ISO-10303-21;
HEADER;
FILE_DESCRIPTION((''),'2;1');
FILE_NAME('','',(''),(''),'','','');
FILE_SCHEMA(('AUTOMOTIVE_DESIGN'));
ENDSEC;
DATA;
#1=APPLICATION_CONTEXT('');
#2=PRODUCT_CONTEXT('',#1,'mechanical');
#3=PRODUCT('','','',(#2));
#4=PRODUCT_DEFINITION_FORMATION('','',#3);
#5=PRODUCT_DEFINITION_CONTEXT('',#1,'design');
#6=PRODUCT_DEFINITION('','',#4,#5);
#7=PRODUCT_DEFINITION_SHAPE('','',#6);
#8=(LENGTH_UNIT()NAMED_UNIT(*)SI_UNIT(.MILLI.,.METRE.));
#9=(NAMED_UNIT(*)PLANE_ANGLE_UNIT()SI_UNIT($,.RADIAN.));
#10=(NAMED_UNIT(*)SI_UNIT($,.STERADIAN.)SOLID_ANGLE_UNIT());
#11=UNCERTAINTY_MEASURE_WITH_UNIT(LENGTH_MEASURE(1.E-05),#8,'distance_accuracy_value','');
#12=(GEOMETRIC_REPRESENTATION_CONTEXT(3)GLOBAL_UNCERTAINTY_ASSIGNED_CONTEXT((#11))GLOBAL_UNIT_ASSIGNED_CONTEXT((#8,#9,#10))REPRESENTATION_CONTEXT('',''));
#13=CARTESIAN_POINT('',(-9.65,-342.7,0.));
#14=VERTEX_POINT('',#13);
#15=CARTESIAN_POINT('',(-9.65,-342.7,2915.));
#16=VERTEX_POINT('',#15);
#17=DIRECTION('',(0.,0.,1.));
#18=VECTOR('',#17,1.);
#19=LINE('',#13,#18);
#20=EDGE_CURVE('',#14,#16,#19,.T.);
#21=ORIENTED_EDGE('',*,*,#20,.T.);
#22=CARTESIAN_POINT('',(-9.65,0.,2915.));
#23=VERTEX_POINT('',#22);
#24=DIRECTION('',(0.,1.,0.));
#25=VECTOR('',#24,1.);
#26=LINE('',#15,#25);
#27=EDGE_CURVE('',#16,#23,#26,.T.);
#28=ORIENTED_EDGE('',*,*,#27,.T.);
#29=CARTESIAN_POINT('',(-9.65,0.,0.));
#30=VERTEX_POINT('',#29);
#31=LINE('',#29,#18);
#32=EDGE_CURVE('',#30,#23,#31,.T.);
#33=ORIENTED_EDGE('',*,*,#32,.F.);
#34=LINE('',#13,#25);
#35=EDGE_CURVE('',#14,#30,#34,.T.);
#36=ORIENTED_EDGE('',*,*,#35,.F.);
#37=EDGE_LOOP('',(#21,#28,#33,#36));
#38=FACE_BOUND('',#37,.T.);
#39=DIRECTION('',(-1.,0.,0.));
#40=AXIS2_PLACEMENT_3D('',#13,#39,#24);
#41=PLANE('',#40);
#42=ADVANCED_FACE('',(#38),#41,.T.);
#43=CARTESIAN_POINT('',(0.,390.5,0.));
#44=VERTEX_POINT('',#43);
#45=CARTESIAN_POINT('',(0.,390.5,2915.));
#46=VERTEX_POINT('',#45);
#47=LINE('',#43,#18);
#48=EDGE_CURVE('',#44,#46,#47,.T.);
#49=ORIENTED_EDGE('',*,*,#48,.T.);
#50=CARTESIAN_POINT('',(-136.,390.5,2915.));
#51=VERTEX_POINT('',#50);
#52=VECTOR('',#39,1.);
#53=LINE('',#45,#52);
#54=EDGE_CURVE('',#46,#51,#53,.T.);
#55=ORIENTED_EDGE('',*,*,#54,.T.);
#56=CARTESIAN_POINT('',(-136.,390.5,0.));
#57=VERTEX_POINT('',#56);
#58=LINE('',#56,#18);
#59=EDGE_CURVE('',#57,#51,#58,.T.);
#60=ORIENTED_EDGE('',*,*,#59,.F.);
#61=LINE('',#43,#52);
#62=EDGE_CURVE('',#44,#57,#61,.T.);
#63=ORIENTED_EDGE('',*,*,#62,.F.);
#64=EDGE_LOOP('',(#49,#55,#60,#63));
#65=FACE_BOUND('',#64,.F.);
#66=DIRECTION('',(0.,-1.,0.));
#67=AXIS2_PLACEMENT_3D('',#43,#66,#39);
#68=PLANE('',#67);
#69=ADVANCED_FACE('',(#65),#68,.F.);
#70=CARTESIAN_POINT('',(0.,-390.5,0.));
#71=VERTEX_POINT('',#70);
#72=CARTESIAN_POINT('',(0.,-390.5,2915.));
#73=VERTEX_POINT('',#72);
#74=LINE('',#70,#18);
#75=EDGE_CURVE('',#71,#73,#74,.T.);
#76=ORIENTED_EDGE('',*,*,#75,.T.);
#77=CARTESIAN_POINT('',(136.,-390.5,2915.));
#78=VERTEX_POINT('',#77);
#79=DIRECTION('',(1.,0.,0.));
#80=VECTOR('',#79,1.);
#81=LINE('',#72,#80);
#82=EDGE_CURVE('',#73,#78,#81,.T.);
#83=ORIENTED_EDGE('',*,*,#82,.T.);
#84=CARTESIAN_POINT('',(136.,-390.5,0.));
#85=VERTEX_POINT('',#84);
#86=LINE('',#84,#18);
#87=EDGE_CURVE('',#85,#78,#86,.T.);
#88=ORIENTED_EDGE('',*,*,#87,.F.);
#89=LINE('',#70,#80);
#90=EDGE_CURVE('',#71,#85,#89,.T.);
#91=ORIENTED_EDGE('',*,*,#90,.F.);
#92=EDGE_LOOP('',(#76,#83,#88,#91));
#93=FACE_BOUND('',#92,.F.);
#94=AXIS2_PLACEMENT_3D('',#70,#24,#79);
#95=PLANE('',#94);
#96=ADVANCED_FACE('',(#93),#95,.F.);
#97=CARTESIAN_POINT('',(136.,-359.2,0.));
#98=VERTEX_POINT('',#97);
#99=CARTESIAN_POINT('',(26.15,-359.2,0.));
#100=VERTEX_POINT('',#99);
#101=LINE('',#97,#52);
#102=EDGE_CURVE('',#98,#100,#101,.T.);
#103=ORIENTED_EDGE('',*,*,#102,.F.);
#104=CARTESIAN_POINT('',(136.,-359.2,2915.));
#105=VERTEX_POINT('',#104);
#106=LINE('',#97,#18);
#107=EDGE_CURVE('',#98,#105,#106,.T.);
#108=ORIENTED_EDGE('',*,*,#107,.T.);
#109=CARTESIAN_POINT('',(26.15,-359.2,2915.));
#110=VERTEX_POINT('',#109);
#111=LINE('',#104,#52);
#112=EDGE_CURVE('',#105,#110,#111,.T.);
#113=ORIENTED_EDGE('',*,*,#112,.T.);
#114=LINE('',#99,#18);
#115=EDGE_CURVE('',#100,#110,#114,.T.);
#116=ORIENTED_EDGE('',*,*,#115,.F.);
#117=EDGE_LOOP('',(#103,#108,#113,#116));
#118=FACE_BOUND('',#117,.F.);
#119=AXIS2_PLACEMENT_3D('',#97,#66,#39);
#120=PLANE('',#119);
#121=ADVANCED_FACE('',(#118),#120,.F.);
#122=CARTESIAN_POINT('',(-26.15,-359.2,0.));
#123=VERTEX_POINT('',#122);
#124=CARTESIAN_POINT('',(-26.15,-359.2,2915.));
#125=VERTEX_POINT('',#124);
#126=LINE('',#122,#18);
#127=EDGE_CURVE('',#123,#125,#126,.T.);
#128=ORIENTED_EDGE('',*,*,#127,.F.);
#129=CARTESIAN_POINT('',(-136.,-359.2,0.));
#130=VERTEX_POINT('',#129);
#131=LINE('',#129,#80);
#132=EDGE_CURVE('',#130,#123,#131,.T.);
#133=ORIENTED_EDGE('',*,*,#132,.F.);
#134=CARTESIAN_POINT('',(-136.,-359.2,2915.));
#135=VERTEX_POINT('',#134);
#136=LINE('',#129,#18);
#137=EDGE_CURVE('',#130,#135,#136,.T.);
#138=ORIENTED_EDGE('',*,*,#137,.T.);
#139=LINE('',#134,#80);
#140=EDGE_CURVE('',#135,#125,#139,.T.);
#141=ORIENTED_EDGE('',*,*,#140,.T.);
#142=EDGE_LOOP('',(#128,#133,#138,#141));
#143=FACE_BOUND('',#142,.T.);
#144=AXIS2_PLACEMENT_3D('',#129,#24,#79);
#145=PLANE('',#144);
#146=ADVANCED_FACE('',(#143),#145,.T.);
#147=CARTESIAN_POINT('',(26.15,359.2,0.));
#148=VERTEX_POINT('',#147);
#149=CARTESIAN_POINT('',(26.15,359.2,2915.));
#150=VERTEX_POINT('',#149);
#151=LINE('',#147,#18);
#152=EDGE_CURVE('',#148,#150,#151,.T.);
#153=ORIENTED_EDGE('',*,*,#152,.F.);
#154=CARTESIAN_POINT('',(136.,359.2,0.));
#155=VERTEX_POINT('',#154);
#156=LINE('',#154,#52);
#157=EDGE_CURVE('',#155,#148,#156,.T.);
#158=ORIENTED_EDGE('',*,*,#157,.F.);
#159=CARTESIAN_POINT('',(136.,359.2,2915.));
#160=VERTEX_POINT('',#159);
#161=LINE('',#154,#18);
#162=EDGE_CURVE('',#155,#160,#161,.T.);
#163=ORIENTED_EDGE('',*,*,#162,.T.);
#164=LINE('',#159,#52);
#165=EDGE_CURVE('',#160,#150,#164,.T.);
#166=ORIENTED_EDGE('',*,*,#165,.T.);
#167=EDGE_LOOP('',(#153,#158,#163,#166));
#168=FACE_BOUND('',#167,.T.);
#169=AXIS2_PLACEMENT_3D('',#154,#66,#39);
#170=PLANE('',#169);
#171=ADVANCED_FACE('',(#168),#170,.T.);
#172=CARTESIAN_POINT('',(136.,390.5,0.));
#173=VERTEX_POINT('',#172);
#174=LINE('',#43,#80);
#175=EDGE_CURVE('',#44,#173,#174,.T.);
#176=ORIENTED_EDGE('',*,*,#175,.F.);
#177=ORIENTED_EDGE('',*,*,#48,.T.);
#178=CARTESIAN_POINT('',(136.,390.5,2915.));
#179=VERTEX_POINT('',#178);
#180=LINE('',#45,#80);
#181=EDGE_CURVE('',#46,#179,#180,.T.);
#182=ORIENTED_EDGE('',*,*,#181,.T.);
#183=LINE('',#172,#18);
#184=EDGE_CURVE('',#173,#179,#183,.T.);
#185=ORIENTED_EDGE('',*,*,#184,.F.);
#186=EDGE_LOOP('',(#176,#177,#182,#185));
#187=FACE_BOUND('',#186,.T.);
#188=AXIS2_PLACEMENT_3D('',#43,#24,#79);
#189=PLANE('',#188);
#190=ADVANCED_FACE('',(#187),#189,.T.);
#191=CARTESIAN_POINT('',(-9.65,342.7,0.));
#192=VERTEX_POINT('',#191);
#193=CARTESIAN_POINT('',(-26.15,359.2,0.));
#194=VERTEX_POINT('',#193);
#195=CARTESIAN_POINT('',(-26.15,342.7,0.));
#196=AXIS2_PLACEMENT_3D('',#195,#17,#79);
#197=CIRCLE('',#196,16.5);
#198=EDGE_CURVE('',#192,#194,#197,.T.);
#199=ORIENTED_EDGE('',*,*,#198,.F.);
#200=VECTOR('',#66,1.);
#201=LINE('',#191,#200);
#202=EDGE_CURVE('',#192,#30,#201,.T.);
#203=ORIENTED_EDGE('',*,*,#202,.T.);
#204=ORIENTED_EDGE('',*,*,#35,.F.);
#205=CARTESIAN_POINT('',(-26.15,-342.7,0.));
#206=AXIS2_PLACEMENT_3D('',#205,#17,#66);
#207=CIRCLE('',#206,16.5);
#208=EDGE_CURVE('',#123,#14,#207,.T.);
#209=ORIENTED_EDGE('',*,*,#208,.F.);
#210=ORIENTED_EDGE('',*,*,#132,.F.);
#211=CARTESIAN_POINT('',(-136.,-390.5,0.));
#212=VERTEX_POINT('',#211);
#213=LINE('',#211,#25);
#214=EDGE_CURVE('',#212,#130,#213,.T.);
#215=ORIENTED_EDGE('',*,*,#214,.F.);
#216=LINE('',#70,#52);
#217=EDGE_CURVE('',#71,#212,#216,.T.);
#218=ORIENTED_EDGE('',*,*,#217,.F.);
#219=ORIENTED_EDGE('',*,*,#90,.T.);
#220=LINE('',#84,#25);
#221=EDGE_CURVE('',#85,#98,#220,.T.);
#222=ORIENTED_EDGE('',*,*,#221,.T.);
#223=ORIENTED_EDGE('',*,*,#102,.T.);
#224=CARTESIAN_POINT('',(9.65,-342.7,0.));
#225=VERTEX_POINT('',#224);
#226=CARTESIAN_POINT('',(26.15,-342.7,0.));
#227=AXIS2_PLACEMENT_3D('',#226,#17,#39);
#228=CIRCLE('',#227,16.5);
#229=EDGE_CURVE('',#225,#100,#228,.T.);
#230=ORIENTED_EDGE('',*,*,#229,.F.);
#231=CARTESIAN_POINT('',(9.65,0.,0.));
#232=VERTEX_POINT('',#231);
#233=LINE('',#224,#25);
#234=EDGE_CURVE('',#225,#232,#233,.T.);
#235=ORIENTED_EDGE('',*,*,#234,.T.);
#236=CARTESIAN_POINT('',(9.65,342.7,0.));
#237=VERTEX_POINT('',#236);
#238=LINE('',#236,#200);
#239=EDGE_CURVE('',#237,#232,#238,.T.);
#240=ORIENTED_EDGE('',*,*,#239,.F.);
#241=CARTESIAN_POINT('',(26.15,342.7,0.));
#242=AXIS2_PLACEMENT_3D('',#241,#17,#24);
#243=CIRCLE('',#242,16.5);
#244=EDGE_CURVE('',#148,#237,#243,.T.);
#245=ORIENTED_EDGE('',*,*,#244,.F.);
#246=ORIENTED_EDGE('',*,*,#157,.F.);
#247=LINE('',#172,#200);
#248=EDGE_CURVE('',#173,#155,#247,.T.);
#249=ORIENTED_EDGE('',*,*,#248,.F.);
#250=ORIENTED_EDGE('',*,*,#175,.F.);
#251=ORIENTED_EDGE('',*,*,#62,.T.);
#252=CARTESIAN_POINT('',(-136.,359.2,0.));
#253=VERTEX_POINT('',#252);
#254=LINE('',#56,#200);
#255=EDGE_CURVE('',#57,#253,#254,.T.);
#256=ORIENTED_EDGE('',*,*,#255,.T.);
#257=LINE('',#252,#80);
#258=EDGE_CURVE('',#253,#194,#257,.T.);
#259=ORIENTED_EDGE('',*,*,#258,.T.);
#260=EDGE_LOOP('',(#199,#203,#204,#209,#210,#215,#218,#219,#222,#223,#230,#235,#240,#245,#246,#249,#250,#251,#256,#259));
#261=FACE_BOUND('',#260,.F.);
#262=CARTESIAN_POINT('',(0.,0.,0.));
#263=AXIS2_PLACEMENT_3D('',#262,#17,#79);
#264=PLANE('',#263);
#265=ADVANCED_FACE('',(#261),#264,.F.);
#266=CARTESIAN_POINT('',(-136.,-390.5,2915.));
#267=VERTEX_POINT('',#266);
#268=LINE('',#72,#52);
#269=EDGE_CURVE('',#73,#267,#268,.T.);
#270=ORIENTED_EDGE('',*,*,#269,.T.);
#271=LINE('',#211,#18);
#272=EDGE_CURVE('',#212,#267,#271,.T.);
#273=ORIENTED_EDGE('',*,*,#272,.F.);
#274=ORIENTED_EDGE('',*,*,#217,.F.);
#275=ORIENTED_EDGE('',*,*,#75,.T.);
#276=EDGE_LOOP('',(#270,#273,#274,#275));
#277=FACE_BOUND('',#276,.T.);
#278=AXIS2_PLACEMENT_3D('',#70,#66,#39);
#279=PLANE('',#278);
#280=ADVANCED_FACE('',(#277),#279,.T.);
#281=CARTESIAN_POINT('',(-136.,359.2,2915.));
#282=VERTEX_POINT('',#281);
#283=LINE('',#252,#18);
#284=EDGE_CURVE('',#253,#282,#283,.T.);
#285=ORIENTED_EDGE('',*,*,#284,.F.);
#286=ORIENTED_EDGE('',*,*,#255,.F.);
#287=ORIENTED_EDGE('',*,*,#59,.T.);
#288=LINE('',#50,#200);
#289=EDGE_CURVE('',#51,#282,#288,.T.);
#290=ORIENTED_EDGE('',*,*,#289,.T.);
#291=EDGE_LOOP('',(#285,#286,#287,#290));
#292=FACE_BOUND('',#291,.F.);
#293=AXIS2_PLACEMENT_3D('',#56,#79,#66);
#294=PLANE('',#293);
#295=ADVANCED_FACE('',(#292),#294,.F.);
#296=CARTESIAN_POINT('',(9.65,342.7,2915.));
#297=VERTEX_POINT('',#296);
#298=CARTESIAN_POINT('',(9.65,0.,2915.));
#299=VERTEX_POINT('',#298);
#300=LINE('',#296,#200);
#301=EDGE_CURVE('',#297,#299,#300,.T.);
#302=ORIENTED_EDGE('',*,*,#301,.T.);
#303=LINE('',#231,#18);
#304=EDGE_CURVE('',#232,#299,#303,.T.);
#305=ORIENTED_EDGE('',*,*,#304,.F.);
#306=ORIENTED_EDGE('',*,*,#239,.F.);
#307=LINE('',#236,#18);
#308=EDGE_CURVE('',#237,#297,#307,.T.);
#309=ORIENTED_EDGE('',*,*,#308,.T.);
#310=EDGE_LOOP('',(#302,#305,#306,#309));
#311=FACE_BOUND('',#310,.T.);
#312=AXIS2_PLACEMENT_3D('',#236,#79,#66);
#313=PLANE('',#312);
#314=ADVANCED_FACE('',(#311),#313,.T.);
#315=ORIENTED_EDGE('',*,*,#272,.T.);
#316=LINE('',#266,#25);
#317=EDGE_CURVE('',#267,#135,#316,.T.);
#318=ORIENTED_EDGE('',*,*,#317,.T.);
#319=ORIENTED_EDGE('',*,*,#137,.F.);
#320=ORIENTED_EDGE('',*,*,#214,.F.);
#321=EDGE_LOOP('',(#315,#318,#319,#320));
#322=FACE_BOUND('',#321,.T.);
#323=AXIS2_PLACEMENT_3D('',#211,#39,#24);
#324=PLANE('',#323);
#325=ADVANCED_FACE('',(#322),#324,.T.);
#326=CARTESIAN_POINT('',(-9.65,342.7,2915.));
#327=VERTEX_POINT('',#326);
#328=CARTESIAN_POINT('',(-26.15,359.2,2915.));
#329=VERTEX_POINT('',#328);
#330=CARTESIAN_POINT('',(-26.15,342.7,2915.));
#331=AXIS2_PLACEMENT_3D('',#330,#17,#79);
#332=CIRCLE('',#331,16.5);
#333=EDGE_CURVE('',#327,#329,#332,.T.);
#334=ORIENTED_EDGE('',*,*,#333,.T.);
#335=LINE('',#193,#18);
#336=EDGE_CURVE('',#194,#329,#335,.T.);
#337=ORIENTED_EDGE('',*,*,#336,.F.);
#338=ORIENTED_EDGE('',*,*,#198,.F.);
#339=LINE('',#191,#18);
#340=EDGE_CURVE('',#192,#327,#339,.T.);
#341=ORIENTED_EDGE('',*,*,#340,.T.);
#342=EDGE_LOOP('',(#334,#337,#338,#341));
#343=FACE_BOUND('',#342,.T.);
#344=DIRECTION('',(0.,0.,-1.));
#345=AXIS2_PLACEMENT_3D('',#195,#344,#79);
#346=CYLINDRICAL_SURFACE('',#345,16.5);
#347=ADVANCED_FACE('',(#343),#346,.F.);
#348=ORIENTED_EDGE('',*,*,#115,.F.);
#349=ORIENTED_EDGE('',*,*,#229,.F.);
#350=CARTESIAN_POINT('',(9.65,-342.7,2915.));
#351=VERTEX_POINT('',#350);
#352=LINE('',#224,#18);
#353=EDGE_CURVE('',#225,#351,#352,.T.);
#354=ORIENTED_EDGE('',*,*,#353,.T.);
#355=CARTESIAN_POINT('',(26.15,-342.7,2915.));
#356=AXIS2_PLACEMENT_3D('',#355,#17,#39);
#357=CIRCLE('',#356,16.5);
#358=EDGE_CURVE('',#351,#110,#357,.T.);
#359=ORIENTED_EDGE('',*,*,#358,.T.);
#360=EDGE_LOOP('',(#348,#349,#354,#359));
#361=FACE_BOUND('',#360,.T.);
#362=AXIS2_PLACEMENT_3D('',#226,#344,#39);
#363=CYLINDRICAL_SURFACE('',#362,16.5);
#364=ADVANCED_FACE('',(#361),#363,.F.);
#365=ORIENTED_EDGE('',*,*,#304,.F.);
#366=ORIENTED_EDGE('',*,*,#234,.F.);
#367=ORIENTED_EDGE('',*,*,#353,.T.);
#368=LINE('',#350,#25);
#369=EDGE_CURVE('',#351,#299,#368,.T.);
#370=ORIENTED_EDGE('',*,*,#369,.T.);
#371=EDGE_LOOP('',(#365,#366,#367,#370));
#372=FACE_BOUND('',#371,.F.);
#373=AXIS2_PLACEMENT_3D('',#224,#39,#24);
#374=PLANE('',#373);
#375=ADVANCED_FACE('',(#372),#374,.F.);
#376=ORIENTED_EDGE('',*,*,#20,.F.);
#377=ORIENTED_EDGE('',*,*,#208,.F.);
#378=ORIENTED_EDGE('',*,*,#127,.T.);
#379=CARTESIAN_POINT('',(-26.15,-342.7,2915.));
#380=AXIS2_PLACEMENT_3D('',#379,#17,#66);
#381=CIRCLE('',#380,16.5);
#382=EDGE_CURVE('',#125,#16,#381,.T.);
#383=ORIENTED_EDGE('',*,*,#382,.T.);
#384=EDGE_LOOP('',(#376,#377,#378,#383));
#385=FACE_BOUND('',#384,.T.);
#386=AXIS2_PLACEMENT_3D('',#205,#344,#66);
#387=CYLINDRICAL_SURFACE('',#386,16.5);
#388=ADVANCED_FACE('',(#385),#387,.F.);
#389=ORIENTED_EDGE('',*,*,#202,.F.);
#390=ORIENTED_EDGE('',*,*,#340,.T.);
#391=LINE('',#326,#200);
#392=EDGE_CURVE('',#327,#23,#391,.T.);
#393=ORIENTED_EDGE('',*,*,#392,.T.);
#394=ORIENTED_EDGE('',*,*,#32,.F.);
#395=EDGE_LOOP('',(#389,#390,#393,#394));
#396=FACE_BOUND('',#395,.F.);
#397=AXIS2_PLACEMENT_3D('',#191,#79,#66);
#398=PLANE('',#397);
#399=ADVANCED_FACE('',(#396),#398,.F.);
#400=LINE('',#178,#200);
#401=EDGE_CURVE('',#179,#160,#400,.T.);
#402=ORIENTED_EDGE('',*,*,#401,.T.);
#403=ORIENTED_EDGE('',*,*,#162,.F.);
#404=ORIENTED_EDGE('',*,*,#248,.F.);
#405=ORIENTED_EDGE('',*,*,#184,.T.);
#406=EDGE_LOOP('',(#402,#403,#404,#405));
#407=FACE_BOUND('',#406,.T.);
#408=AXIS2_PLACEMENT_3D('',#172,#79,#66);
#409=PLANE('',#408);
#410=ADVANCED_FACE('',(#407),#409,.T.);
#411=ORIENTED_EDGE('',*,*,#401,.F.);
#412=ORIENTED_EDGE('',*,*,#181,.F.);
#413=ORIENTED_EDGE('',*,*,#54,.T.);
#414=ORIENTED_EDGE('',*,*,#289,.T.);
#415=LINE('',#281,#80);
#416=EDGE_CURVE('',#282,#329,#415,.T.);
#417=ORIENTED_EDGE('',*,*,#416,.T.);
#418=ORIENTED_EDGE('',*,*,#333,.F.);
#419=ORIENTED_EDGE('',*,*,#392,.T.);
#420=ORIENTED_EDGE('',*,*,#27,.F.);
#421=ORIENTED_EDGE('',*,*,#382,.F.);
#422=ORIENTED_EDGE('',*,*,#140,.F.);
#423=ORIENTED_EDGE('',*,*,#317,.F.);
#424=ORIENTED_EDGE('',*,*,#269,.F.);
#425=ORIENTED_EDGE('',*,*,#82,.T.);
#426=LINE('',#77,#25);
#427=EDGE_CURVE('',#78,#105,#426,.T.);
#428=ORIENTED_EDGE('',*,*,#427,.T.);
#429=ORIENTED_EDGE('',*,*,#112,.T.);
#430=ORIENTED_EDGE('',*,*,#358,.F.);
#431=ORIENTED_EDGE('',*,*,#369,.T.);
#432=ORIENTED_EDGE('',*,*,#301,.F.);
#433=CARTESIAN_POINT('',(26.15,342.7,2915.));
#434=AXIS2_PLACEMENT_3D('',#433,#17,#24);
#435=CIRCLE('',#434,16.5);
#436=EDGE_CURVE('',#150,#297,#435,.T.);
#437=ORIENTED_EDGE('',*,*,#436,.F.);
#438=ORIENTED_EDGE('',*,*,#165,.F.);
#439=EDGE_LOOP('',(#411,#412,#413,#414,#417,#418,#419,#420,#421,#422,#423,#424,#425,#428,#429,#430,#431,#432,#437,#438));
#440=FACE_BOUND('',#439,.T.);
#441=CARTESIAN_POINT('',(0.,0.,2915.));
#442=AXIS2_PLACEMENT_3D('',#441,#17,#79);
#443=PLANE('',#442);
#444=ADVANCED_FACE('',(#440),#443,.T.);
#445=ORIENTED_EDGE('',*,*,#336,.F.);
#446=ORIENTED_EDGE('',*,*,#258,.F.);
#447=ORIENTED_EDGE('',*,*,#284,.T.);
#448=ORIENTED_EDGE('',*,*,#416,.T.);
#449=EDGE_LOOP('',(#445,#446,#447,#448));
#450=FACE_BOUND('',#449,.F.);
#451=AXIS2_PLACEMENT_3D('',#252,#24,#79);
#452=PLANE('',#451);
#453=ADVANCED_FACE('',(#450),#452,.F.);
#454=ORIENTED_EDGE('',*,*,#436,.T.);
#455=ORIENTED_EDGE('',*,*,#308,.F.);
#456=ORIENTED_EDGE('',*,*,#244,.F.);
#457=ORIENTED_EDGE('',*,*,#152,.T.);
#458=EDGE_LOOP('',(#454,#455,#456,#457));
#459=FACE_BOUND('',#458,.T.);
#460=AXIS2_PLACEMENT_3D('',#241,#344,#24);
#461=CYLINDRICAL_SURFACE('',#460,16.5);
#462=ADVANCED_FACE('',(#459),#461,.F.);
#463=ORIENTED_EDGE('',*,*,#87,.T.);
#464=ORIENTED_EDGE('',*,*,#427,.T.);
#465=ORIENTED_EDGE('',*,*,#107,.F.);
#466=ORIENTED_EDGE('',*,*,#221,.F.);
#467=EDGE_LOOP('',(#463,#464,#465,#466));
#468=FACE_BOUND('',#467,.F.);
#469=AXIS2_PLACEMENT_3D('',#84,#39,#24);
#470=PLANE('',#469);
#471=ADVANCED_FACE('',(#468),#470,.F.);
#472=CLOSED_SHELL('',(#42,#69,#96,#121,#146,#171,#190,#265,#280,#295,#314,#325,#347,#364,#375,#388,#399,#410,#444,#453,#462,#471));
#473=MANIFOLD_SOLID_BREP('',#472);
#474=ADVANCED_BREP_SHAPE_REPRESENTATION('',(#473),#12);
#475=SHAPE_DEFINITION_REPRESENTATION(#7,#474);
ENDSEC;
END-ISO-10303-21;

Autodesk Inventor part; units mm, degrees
ref_plane "YZ Plane" through (0, 0, 0) normal (1, 0, 0) x (0, 1, 0)
ref_plane "Start plane" through (0, 0, 0) normal (0, 0, 1) x (1, 0, 0)
ref_plane "End plane" through (0, 0, 2915) normal (0, 0, 1) x (1, 0, 0)
sketch "Sketch" plane through (0, 0, 0) normal (0, 0, 1) x (1, 0, 0)
  line L0 (-136, -390.5) -> (-136, -359.2)
  line L1 (-136, -359.2) -> (-26.15, -359.2)
  line L2 (-9.65, -342.7) -> (-9.65, 0)
  line L3 (-9.65, 0) -> (0, 0) construction
  line L4 (0, 0) -> (0, -390.5) construction
  line L5 (0, -390.5) -> (-136, -390.5)
  line L6 (-60, 0) -> (80, 0) construction
  line L7 (0, -60) -> (0, 80) construction
  line L8 (136, -390.5) -> (136, -359.2)
  line L9 (136, -359.2) -> (26.15, -359.2)
  line L10 (9.65, -342.7) -> (9.65, 0)
  line L11 (9.65, 0) -> (0, 0) construction
  line L12 (0, -390.5) -> (136, -390.5)
  line L13 (-136, 390.5) -> (-136, 359.2)
  line L14 (-136, 359.2) -> (-26.15, 359.2)
  line L15 (-9.65, 342.7) -> (-9.65, 0)
  line L16 (0, 390.5) -> (-136, 390.5)
  line L17 (136, 390.5) -> (136, 359.2)
  line L18 (136, 359.2) -> (26.15, 359.2)
  line L19 (0, 390.5) -> (136, 390.5)
  line L20 (9.65, 342.7) -> (9.65, 0)
  arc A0 (-9.65, 342.7) -> (-26.15, 359.2) centre (-26.15, 342.7) ccw
  arc A1 (26.15, 359.2) -> (9.65, 342.7) centre (26.15, 342.7) ccw
  arc A2 (9.65, -342.7) -> (26.15, -359.2) centre (26.15, -342.7) ccw
  arc A3 (-26.15, -359.2) -> (-9.65, -342.7) centre (-26.15, -342.7) ccw
  line L21 (0, 108) -> (0, -88) construction
  line L22 (-88, 0) -> (108, 0) construction
  point P0 (-9.65, -359.2)
  point P1 (9.65, -359.2)
  point P2 (-9.65, 359.2)
  point P3 (9.65, 359.2)
  dimension "d1" = 390.5
  dimension "d2" = 31.3
  dimension "d3" = 136
  dimension "d4" = 9.65
  dimension "d10" = 16.5
extrude "Body" add sketch "Sketch" along normal up to surface (2915 mm away) from surface at 0
sketch "Sketch4" plane through (0, 0, 0) normal (0, 0, 1) x (1, 0, 0)
  line L0 (0, 0) -> (10, 0)
ref_plane "Work Plane3" through (0, 0, 0) normal (0, -1, 0) x (1, 0, 0)
sketch "Sketch5" plane through (0, 0, 0) normal (0, -1, 0) x (1, 0, 0)
  line L0 (-2, 0) -> (12, 0) projected
  line L1 (-2, 2915) -> (12, 2915) projected
  dimension "d14" = 2915
equation "\"d1\" = 0.5 * G_H"
equation "\"d2\" = G_T1"
equation "\"d3\" = 0.5 * G_W"
equation "\"d4\" = 0.5 * G_T"
equation "\"d10\" = G_IR"
equation "\"d5\" = G_L"
equation "\"G_W\" = 272"
equation "\"G_H\" = 781"
equation "\"G_T\" = 19.3"
equation "\"G_T1\" = 31.3"
equation "\"G_IR\" = 16.5"
equation "\"G_L\" = d14"
equation "\"G_OFFSET_START\" = 0"
equation "\"G_OFFSET_END\" = 0"
equation "\"d12\" = G_OFFSET_END + B_L"
equation "\"B_L\" = 2915"
properties part number "AS 3679-1990 - 760 UB - 244 - 2915" material "Steel, Mild"
